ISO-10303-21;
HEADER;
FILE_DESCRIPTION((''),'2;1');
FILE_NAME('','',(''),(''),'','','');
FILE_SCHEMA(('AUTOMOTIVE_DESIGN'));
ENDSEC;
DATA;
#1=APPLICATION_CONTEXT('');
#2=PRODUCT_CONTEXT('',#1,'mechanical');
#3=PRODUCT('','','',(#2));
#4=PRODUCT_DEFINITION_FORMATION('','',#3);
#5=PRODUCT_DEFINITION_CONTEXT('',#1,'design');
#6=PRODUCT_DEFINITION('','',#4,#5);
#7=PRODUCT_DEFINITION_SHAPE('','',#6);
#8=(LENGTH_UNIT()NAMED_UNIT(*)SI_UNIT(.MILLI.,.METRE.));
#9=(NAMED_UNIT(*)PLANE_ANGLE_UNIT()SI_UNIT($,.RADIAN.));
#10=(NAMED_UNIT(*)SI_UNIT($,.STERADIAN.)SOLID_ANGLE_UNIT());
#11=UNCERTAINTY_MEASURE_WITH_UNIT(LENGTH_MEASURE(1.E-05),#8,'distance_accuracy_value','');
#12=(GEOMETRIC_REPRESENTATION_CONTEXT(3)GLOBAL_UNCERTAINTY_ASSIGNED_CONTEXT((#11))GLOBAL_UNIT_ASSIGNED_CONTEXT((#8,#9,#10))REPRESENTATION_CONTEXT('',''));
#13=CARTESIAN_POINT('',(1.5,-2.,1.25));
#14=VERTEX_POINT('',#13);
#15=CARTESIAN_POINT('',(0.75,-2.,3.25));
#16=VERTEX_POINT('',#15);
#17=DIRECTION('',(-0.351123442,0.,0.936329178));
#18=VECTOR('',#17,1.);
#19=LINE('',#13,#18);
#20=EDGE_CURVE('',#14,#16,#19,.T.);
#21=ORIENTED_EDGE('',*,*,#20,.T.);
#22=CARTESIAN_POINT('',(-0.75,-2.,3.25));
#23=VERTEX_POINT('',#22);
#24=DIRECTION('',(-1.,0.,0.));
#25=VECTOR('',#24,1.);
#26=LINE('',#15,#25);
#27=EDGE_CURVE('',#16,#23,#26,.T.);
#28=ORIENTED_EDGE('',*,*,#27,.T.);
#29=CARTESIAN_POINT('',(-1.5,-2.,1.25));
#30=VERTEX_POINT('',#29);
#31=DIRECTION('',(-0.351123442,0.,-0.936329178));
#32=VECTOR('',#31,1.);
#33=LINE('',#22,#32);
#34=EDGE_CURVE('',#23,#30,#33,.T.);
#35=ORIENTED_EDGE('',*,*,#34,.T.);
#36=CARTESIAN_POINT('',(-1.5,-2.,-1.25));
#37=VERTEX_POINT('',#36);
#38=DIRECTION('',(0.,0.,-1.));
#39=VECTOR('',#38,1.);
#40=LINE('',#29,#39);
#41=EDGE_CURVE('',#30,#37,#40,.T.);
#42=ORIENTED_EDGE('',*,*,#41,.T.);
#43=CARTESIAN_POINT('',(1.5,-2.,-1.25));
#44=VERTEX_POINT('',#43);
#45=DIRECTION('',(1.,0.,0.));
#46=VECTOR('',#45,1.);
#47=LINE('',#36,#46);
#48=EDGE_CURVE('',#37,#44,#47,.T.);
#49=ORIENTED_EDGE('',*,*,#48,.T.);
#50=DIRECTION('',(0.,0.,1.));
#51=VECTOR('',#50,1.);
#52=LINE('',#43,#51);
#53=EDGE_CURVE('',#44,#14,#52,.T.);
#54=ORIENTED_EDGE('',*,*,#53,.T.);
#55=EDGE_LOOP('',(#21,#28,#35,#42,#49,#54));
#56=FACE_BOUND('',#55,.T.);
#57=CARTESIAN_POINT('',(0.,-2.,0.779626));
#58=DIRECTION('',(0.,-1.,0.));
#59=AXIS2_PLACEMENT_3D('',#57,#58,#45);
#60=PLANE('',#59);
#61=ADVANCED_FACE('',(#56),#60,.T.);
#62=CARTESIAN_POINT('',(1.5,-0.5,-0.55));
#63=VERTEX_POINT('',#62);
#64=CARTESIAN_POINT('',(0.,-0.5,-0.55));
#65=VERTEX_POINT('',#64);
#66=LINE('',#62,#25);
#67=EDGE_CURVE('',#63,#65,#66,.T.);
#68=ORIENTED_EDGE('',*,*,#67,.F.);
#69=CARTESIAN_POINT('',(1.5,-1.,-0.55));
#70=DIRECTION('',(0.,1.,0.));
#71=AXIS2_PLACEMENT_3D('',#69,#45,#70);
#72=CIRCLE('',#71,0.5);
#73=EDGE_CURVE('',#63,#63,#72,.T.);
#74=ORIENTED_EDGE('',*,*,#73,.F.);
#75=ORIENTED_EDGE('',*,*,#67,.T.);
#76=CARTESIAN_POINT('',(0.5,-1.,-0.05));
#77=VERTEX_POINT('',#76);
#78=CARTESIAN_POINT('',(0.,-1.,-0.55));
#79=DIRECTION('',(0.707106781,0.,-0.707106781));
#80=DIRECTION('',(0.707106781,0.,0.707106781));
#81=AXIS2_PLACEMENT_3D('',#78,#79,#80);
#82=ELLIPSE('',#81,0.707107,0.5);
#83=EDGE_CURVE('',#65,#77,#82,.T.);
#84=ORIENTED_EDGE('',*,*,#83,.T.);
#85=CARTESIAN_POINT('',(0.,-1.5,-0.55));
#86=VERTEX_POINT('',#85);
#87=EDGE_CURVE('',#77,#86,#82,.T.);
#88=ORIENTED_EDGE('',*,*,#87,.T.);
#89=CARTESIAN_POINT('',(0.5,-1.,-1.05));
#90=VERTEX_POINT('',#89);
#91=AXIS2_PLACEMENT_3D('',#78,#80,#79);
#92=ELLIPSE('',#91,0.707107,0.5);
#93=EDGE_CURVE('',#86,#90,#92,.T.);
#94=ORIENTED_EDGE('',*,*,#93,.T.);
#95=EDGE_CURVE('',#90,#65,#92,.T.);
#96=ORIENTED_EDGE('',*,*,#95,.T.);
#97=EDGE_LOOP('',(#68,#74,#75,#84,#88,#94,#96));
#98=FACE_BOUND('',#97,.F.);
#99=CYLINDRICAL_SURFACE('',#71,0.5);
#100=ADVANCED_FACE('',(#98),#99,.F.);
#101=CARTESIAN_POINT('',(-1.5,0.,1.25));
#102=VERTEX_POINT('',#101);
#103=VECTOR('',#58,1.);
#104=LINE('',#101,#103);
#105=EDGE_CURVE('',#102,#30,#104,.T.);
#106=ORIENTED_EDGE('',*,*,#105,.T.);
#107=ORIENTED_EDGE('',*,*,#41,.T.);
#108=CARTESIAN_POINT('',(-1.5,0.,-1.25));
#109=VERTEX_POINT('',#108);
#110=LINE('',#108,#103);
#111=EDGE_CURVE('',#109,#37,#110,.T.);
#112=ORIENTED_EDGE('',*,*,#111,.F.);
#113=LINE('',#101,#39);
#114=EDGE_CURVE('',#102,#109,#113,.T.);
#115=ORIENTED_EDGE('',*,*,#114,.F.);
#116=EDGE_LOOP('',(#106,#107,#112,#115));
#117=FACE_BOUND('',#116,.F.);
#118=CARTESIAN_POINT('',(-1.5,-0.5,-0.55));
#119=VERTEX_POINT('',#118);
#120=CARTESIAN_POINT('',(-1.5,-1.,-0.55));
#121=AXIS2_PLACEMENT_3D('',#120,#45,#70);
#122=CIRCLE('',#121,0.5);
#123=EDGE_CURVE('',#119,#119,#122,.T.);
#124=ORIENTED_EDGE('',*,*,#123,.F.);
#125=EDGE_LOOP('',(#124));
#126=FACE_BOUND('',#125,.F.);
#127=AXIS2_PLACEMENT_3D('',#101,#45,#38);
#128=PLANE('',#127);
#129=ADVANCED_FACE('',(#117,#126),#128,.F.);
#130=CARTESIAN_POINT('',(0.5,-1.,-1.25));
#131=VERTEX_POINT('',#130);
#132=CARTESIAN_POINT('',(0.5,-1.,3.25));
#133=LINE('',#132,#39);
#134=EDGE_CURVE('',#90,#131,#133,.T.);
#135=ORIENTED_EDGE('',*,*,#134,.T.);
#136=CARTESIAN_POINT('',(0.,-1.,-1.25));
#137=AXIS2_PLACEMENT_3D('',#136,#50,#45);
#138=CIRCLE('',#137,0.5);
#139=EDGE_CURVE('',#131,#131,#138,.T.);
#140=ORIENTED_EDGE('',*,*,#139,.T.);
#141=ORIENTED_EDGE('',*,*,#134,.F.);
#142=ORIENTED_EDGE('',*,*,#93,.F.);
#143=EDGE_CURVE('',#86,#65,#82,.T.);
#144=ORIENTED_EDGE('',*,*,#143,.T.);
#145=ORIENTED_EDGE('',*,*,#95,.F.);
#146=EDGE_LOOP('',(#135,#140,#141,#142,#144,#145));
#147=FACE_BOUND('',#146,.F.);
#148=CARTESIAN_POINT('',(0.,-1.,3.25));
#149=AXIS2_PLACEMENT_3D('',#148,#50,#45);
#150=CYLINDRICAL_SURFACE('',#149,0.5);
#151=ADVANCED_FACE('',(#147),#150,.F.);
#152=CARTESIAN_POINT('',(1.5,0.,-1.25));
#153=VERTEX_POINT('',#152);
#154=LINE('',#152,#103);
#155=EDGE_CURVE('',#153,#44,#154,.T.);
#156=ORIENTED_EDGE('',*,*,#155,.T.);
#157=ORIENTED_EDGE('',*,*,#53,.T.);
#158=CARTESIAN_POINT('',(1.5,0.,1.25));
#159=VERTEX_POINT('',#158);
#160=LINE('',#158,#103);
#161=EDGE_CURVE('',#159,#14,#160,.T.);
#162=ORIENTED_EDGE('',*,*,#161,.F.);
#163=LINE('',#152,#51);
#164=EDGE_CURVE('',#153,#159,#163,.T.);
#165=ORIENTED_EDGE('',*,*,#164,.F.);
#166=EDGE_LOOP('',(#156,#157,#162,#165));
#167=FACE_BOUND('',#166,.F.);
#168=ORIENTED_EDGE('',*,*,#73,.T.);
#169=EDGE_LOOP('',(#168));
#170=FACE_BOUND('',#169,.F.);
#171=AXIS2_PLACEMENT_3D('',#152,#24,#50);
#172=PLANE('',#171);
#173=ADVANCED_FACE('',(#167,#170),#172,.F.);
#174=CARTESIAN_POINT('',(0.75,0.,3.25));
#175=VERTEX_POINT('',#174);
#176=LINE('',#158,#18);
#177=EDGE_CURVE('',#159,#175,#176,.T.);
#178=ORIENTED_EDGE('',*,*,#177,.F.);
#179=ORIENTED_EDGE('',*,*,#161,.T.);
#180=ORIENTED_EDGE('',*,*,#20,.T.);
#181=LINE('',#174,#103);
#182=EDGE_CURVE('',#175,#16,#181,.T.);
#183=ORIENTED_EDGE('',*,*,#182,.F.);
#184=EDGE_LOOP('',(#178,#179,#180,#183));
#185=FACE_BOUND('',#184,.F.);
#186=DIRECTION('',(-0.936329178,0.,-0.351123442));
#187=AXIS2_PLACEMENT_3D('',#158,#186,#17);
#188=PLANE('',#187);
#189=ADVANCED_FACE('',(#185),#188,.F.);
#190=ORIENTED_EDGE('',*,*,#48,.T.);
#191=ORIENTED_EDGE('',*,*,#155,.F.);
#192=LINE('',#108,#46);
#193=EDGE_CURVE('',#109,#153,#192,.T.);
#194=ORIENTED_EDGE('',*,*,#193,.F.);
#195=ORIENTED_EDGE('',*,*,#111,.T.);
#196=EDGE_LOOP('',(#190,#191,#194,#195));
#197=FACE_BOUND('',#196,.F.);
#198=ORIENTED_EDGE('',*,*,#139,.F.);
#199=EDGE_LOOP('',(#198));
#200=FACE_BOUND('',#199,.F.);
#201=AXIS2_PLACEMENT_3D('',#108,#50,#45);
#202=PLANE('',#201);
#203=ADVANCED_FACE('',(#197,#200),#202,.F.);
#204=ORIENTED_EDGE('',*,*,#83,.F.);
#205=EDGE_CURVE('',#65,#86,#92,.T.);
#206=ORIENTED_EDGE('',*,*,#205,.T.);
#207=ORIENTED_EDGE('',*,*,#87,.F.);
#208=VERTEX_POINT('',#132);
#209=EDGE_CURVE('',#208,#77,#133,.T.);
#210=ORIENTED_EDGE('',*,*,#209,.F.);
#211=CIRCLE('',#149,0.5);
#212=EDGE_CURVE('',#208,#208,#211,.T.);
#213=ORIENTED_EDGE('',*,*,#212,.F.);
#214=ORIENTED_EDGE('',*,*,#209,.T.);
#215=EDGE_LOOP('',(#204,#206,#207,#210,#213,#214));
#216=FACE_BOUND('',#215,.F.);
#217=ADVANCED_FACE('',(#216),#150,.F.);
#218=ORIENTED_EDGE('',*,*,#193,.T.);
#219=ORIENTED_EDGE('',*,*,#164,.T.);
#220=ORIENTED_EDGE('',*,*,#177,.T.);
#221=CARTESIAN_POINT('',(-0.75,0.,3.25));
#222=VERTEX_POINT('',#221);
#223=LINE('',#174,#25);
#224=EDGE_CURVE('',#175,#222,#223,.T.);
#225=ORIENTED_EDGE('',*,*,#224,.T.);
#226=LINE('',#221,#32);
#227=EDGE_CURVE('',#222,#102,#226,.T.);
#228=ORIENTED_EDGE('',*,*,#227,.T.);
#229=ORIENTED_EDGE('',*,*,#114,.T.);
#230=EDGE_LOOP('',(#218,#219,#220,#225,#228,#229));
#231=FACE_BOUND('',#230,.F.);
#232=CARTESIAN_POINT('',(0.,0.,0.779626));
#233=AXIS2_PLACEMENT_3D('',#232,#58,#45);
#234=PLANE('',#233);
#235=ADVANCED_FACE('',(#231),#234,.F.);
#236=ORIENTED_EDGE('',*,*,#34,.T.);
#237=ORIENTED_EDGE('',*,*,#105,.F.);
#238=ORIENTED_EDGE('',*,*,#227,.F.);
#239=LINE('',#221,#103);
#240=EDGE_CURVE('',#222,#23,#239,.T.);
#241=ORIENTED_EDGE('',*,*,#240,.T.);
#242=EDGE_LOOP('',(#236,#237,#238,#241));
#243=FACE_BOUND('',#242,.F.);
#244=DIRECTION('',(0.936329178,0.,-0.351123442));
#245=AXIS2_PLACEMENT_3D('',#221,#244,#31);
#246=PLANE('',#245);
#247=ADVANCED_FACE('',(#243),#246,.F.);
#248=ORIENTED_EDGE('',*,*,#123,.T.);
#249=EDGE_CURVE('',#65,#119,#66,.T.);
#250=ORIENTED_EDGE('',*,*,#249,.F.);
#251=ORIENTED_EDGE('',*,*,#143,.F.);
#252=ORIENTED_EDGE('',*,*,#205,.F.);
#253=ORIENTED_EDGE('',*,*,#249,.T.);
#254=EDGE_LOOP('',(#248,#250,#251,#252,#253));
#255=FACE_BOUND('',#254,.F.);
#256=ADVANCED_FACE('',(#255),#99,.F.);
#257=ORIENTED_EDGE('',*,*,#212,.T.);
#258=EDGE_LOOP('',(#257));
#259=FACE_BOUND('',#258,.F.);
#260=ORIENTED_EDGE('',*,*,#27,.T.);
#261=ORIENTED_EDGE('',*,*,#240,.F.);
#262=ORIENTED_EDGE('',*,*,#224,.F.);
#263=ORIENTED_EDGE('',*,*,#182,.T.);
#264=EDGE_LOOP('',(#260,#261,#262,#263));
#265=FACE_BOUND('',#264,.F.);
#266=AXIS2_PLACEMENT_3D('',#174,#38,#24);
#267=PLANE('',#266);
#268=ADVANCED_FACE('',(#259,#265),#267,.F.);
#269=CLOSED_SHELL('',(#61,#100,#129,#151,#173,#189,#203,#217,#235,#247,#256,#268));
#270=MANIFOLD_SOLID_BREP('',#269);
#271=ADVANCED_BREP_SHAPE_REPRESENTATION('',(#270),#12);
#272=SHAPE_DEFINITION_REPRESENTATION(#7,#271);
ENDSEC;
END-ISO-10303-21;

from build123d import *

# Parameters (mm, degrees)
F1_DEPTH = 2
F2_R     = 0.5
F3_DEPTH = 25
F4_R     = 0.5
F5_DEPTH = 25


with BuildPart() as f1:
    # F0 (on Front) → F1 (new body)
    with BuildSketch(Plane.XZ):
        Polygon((-1.5, -1.25), (1.5, -1.25), (1.5, 1.25), (0.75, 3.25), (-0.75, 3.25), (-1.5, 1.25), align=None)
    extrude(amount=F1_DEPTH)

    # F2 (on face) → F3 (cut)
    with BuildSketch(Plane.YZ.offset(1.5)):
        with Locations((-1, -0.55)):
            Circle(F2_R)
    extrude(amount=-F3_DEPTH, mode=Mode.SUBTRACT)

    # F4 (on face) → F5 (cut)
    with BuildSketch(Plane.XY.offset(3.25)):
        with Locations((0, -1)):
            Circle(F4_R)
    extrude(amount=-F5_DEPTH, mode=Mode.SUBTRACT)


solid = f1.part
